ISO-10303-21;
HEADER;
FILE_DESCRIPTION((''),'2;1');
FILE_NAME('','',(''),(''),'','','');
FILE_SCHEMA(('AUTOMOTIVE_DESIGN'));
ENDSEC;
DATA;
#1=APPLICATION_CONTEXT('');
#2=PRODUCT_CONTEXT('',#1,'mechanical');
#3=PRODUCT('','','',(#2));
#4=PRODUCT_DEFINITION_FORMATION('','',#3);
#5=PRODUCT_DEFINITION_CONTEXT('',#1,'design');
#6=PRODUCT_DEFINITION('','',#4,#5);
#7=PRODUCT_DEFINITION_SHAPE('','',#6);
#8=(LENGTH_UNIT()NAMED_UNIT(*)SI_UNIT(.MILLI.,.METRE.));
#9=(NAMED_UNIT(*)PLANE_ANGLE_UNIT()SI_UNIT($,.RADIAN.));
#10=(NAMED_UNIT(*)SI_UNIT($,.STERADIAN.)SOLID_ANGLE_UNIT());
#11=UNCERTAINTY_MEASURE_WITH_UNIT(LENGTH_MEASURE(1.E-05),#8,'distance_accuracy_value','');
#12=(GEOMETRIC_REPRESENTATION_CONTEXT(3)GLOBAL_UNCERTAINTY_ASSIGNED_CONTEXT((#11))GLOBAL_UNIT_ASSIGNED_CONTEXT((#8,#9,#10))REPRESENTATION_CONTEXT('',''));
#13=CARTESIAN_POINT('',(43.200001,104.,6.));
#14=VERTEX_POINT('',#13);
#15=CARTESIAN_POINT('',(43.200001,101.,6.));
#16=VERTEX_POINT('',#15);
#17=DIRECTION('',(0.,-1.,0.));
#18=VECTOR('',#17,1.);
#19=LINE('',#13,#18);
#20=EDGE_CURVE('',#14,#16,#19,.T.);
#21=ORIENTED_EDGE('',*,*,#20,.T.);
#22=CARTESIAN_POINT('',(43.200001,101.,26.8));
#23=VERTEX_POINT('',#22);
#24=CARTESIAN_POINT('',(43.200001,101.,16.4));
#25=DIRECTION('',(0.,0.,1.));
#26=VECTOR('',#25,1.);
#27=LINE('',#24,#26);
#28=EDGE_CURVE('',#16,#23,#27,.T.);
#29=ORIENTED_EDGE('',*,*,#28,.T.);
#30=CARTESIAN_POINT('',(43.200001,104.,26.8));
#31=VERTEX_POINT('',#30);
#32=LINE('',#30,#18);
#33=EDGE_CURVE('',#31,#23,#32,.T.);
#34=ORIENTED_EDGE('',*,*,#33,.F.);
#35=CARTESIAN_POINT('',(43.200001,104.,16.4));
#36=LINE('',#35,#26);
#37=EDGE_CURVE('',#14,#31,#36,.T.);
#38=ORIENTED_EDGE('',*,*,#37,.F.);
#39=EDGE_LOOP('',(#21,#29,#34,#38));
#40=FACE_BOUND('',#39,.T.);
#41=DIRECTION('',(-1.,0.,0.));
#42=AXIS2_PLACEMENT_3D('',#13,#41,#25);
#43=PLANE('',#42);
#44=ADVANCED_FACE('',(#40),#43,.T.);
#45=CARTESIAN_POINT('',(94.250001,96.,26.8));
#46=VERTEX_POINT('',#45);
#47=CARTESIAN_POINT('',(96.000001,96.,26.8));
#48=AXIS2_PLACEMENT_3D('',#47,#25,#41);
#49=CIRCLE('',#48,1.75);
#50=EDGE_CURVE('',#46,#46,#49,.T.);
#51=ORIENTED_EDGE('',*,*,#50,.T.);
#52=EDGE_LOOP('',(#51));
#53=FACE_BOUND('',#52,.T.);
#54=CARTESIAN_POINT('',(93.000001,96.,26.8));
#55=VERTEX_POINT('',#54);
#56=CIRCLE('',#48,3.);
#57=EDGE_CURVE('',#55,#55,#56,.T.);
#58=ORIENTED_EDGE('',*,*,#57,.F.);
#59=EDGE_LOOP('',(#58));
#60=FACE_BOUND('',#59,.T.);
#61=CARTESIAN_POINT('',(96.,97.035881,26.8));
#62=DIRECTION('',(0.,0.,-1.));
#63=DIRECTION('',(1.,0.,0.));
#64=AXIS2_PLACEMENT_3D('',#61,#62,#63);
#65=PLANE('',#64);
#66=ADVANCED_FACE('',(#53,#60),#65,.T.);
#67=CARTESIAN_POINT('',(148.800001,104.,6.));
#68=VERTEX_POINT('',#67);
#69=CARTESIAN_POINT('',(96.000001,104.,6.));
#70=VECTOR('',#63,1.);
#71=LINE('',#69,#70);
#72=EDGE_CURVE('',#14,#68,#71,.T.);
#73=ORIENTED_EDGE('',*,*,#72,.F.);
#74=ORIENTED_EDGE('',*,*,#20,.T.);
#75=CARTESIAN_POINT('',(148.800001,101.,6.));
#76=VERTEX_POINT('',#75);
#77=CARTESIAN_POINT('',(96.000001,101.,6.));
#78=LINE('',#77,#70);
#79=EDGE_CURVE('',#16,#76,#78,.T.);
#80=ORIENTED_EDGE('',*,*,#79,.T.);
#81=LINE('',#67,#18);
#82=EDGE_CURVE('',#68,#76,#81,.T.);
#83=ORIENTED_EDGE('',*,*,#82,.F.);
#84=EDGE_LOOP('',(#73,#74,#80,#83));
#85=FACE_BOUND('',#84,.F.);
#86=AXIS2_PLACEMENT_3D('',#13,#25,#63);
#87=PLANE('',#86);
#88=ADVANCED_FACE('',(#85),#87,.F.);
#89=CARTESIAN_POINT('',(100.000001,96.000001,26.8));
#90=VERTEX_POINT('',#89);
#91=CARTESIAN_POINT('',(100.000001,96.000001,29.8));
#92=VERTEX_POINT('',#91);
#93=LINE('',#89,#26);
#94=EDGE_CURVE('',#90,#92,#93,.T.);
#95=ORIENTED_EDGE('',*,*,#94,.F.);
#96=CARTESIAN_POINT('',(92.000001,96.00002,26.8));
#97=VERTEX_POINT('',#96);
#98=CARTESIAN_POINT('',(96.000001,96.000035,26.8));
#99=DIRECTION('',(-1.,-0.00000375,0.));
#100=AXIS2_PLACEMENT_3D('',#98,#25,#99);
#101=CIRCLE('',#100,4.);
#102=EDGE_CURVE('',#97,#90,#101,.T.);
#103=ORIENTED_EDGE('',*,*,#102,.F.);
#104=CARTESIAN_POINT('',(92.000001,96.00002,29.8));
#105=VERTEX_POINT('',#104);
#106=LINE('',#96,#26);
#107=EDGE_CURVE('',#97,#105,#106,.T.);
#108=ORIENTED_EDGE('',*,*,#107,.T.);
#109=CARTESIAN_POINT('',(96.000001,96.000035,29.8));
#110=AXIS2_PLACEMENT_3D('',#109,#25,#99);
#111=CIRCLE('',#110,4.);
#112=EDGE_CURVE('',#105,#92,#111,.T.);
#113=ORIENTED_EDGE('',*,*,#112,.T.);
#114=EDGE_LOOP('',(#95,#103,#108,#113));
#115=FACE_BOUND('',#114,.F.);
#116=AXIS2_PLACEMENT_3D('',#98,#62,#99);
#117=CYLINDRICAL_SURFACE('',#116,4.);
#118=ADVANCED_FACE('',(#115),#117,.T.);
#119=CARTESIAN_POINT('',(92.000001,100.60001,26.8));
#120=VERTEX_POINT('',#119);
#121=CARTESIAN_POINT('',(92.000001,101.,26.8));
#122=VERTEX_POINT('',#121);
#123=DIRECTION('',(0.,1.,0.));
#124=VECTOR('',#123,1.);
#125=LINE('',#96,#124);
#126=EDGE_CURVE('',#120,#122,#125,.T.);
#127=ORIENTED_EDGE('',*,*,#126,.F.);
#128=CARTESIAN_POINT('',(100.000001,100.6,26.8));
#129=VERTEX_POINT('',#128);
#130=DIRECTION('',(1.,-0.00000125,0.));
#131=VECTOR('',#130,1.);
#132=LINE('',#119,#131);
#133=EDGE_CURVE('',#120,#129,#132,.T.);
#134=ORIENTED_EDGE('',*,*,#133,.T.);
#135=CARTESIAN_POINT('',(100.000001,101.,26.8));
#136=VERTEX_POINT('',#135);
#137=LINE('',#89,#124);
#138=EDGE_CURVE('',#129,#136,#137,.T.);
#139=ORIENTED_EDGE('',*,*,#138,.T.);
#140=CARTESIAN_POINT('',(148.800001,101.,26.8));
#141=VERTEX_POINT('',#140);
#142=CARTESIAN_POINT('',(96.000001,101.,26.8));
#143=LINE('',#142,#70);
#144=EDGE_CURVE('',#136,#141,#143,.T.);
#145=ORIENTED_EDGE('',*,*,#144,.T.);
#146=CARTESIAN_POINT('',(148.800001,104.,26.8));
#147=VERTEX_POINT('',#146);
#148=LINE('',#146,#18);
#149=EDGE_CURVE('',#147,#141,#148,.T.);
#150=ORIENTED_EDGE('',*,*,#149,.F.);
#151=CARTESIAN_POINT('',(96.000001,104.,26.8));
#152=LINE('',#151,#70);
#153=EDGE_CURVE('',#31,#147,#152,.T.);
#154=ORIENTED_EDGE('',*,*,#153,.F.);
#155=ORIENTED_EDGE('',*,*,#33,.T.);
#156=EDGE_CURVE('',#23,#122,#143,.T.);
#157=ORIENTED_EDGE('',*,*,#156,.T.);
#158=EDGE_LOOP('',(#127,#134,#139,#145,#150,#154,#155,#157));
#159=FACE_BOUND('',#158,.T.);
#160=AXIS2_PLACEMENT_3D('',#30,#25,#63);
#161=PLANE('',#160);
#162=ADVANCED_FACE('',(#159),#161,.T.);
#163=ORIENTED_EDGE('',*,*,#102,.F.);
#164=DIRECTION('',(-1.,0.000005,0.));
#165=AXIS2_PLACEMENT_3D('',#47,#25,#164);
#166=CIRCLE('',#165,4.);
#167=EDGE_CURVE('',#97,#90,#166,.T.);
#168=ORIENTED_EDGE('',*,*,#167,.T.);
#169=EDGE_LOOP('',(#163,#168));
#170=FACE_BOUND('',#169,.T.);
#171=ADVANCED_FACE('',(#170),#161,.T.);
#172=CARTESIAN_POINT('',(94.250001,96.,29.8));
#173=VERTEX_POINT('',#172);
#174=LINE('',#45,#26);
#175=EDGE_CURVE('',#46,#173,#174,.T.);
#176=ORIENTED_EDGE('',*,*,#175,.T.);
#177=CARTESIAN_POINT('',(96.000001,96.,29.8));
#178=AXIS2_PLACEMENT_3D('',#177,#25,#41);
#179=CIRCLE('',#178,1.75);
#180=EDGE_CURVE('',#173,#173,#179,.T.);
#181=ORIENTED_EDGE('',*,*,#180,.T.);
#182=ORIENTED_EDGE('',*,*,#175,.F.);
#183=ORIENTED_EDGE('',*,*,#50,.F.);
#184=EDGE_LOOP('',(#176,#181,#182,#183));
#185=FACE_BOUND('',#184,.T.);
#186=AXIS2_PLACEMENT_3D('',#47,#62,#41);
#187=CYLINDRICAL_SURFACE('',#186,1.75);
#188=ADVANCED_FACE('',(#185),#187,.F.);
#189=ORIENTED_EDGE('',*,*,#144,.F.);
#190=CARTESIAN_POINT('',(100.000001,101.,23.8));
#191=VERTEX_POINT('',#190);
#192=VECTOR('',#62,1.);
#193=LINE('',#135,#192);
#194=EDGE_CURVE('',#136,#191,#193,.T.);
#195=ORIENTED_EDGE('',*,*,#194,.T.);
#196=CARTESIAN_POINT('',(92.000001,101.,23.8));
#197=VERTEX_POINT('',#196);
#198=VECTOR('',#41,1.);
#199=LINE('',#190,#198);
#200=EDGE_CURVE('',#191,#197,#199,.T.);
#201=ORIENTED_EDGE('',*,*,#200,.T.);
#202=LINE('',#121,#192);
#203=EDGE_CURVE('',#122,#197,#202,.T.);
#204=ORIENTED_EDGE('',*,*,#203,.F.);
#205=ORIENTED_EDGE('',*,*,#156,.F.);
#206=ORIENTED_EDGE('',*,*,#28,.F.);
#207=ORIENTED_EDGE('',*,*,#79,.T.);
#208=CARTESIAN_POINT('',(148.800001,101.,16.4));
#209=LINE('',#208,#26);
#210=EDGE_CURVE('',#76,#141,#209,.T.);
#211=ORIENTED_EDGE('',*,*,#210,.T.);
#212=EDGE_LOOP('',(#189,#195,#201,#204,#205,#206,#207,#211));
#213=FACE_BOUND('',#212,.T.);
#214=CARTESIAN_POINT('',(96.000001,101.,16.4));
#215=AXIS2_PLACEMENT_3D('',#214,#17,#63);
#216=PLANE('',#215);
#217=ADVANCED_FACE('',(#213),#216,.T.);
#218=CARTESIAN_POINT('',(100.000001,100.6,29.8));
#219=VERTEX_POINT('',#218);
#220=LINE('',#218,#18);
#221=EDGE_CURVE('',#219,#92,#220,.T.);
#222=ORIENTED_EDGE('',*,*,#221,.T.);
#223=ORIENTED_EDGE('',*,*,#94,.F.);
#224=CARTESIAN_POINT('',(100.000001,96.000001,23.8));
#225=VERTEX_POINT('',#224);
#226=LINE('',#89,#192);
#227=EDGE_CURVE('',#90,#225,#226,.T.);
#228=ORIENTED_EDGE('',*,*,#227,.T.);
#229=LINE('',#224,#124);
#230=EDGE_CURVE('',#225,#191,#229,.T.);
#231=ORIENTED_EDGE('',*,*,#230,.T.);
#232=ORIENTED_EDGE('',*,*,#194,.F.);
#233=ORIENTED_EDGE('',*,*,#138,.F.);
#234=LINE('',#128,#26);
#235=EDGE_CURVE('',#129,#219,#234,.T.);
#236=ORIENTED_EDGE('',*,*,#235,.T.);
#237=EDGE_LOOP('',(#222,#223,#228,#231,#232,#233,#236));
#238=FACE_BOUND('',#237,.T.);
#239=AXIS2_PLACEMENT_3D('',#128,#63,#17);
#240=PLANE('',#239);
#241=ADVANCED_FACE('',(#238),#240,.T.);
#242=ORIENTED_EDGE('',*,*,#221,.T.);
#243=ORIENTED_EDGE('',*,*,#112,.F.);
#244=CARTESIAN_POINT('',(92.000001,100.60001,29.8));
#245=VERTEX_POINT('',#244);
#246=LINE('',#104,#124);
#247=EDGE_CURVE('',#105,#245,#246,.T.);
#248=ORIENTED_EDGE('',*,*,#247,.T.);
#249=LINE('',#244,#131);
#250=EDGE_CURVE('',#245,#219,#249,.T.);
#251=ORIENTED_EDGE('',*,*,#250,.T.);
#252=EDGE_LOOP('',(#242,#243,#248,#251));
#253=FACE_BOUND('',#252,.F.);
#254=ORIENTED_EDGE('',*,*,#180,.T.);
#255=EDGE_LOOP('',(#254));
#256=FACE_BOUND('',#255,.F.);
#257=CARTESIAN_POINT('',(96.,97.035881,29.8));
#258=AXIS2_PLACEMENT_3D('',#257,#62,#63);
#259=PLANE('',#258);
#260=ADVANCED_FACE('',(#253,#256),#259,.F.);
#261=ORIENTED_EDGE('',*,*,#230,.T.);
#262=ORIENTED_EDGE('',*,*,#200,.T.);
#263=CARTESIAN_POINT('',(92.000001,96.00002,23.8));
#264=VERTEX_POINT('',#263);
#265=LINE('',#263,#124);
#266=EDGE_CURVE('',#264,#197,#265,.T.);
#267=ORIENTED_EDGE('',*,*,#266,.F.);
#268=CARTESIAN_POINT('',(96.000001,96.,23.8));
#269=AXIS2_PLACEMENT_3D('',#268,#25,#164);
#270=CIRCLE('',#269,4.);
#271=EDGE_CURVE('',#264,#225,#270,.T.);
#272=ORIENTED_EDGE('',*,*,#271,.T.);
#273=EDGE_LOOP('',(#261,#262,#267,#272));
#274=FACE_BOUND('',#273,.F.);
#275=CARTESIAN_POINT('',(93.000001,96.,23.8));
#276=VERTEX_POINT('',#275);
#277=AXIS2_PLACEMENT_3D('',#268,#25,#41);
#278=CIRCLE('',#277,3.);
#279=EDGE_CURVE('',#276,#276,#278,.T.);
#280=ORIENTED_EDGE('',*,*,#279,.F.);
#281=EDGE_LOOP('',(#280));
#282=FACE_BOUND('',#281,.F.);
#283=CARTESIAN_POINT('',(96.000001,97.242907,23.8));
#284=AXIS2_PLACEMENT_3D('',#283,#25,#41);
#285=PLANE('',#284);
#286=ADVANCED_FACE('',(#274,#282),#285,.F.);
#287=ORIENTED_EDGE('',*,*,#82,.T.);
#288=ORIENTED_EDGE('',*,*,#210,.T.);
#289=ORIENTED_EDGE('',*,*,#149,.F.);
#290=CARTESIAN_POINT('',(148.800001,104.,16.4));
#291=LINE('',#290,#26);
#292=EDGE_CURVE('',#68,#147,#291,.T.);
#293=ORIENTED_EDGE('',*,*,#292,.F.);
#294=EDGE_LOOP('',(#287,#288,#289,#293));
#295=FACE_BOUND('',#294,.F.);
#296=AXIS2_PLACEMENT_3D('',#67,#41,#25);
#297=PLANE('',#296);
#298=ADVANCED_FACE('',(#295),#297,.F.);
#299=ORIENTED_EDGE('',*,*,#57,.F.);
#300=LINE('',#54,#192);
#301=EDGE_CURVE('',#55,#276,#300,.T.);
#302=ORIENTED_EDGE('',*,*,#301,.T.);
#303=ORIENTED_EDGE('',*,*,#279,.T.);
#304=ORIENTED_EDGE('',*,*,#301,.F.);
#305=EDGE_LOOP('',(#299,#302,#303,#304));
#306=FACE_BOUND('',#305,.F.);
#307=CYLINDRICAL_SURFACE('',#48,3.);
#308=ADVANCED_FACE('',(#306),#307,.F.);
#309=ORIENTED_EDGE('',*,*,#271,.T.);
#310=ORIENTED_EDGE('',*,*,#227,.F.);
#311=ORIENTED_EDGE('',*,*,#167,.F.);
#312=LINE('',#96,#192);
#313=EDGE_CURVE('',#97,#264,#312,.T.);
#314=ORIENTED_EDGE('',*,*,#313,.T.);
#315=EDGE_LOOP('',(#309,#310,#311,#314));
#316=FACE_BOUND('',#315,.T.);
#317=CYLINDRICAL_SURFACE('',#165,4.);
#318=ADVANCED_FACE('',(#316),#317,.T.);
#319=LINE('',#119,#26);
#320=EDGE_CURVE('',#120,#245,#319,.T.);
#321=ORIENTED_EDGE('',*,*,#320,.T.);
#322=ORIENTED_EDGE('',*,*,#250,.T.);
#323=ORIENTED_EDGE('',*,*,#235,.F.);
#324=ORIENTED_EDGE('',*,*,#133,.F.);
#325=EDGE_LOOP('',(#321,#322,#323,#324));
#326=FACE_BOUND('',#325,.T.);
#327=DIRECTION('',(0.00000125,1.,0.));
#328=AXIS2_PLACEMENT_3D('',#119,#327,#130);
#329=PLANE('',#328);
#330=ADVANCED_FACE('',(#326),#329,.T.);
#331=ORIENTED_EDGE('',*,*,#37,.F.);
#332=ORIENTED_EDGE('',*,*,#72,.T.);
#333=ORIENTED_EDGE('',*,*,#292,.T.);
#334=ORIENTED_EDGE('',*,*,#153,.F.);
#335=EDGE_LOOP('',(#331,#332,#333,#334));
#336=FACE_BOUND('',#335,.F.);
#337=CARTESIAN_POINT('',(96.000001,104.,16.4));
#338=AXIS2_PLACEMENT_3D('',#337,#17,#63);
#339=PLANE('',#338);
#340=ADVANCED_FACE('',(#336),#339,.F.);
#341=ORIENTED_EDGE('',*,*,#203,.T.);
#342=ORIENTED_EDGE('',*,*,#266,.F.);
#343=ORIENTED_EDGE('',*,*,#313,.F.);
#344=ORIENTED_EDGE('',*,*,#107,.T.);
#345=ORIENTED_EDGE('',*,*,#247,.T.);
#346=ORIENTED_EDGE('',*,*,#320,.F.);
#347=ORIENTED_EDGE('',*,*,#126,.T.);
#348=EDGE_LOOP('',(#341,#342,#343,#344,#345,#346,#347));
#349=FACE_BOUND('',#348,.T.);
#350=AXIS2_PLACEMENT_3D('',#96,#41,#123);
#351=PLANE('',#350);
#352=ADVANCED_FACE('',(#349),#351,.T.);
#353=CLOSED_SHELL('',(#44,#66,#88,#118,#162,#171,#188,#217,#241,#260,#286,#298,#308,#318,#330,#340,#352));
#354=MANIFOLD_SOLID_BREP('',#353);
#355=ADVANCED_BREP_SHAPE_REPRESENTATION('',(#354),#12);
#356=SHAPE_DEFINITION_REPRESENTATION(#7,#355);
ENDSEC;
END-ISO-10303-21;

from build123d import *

# Parameters (mm, degrees)
SKETCH015_W  = 105.6
SKETCH015_H  = 20.8
PAD005_DEPTH = 3
SKETCH016_R  = 3
PAD006_DEPTH = 3
SKETCH017_R  = 1.75
PAD007_DEPTH = 3


with BuildPart() as part:
    # Sketch015 → Pad005 (new body)
    with BuildSketch(Plane.XZ.offset(-104)):
        with Locations((96.000001, 16.4)):
            Rectangle(SKETCH015_W, SKETCH015_H)
    extrude(amount=PAD005_DEPTH)

    # Sketch016 (on Face1 of Pad005) → Pad006 (join)
    with BuildSketch(Plane(origin=(0, 0, 26.8), x_dir=(-1, 0, 0), z_dir=(0, 0, 1))):
        with BuildLine():
            ThreePointArc((-92.000001, -96.00002), (-95.999992, -92), (-100.000001, -96.000001))
            Line((-100.000001, -96.000001), (-100.000001, -101))
            Line((-100.000001, -101), (-92.000001, -101))
            Line((-92.000001, -96.00002), (-92.000001, -101))
        make_face()
        with Locations((-96.000001, -96)):
            Circle(SKETCH016_R, mode=Mode.SUBTRACT)
    extrude(amount=-PAD006_DEPTH)

    # Sketch017 (on Face11 of Pad006) → Pad007 (join)
    with BuildSketch(Plane(origin=(0, 0, 26.8), x_dir=(-1, 0, 0), z_dir=(0, 0, 1))):
        with BuildLine():
            Line((-92.000001, -96.00002), (-92.000001, -100.60001))
            Line((-92.000001, -100.60001), (-100.000001, -100.6))
            Line((-100.000001, -100.6), (-100.000001, -96.000001))
            ThreePointArc((-92.000001, -96.00002), (-95.999992, -92.000035), (-100.000001, -96.000001))
        make_face()
        with Locations((-96.000001, -96)):
            Circle(SKETCH017_R, mode=Mode.SUBTRACT)
    extrude(amount=PAD007_DEPTH)


solid = part.part
